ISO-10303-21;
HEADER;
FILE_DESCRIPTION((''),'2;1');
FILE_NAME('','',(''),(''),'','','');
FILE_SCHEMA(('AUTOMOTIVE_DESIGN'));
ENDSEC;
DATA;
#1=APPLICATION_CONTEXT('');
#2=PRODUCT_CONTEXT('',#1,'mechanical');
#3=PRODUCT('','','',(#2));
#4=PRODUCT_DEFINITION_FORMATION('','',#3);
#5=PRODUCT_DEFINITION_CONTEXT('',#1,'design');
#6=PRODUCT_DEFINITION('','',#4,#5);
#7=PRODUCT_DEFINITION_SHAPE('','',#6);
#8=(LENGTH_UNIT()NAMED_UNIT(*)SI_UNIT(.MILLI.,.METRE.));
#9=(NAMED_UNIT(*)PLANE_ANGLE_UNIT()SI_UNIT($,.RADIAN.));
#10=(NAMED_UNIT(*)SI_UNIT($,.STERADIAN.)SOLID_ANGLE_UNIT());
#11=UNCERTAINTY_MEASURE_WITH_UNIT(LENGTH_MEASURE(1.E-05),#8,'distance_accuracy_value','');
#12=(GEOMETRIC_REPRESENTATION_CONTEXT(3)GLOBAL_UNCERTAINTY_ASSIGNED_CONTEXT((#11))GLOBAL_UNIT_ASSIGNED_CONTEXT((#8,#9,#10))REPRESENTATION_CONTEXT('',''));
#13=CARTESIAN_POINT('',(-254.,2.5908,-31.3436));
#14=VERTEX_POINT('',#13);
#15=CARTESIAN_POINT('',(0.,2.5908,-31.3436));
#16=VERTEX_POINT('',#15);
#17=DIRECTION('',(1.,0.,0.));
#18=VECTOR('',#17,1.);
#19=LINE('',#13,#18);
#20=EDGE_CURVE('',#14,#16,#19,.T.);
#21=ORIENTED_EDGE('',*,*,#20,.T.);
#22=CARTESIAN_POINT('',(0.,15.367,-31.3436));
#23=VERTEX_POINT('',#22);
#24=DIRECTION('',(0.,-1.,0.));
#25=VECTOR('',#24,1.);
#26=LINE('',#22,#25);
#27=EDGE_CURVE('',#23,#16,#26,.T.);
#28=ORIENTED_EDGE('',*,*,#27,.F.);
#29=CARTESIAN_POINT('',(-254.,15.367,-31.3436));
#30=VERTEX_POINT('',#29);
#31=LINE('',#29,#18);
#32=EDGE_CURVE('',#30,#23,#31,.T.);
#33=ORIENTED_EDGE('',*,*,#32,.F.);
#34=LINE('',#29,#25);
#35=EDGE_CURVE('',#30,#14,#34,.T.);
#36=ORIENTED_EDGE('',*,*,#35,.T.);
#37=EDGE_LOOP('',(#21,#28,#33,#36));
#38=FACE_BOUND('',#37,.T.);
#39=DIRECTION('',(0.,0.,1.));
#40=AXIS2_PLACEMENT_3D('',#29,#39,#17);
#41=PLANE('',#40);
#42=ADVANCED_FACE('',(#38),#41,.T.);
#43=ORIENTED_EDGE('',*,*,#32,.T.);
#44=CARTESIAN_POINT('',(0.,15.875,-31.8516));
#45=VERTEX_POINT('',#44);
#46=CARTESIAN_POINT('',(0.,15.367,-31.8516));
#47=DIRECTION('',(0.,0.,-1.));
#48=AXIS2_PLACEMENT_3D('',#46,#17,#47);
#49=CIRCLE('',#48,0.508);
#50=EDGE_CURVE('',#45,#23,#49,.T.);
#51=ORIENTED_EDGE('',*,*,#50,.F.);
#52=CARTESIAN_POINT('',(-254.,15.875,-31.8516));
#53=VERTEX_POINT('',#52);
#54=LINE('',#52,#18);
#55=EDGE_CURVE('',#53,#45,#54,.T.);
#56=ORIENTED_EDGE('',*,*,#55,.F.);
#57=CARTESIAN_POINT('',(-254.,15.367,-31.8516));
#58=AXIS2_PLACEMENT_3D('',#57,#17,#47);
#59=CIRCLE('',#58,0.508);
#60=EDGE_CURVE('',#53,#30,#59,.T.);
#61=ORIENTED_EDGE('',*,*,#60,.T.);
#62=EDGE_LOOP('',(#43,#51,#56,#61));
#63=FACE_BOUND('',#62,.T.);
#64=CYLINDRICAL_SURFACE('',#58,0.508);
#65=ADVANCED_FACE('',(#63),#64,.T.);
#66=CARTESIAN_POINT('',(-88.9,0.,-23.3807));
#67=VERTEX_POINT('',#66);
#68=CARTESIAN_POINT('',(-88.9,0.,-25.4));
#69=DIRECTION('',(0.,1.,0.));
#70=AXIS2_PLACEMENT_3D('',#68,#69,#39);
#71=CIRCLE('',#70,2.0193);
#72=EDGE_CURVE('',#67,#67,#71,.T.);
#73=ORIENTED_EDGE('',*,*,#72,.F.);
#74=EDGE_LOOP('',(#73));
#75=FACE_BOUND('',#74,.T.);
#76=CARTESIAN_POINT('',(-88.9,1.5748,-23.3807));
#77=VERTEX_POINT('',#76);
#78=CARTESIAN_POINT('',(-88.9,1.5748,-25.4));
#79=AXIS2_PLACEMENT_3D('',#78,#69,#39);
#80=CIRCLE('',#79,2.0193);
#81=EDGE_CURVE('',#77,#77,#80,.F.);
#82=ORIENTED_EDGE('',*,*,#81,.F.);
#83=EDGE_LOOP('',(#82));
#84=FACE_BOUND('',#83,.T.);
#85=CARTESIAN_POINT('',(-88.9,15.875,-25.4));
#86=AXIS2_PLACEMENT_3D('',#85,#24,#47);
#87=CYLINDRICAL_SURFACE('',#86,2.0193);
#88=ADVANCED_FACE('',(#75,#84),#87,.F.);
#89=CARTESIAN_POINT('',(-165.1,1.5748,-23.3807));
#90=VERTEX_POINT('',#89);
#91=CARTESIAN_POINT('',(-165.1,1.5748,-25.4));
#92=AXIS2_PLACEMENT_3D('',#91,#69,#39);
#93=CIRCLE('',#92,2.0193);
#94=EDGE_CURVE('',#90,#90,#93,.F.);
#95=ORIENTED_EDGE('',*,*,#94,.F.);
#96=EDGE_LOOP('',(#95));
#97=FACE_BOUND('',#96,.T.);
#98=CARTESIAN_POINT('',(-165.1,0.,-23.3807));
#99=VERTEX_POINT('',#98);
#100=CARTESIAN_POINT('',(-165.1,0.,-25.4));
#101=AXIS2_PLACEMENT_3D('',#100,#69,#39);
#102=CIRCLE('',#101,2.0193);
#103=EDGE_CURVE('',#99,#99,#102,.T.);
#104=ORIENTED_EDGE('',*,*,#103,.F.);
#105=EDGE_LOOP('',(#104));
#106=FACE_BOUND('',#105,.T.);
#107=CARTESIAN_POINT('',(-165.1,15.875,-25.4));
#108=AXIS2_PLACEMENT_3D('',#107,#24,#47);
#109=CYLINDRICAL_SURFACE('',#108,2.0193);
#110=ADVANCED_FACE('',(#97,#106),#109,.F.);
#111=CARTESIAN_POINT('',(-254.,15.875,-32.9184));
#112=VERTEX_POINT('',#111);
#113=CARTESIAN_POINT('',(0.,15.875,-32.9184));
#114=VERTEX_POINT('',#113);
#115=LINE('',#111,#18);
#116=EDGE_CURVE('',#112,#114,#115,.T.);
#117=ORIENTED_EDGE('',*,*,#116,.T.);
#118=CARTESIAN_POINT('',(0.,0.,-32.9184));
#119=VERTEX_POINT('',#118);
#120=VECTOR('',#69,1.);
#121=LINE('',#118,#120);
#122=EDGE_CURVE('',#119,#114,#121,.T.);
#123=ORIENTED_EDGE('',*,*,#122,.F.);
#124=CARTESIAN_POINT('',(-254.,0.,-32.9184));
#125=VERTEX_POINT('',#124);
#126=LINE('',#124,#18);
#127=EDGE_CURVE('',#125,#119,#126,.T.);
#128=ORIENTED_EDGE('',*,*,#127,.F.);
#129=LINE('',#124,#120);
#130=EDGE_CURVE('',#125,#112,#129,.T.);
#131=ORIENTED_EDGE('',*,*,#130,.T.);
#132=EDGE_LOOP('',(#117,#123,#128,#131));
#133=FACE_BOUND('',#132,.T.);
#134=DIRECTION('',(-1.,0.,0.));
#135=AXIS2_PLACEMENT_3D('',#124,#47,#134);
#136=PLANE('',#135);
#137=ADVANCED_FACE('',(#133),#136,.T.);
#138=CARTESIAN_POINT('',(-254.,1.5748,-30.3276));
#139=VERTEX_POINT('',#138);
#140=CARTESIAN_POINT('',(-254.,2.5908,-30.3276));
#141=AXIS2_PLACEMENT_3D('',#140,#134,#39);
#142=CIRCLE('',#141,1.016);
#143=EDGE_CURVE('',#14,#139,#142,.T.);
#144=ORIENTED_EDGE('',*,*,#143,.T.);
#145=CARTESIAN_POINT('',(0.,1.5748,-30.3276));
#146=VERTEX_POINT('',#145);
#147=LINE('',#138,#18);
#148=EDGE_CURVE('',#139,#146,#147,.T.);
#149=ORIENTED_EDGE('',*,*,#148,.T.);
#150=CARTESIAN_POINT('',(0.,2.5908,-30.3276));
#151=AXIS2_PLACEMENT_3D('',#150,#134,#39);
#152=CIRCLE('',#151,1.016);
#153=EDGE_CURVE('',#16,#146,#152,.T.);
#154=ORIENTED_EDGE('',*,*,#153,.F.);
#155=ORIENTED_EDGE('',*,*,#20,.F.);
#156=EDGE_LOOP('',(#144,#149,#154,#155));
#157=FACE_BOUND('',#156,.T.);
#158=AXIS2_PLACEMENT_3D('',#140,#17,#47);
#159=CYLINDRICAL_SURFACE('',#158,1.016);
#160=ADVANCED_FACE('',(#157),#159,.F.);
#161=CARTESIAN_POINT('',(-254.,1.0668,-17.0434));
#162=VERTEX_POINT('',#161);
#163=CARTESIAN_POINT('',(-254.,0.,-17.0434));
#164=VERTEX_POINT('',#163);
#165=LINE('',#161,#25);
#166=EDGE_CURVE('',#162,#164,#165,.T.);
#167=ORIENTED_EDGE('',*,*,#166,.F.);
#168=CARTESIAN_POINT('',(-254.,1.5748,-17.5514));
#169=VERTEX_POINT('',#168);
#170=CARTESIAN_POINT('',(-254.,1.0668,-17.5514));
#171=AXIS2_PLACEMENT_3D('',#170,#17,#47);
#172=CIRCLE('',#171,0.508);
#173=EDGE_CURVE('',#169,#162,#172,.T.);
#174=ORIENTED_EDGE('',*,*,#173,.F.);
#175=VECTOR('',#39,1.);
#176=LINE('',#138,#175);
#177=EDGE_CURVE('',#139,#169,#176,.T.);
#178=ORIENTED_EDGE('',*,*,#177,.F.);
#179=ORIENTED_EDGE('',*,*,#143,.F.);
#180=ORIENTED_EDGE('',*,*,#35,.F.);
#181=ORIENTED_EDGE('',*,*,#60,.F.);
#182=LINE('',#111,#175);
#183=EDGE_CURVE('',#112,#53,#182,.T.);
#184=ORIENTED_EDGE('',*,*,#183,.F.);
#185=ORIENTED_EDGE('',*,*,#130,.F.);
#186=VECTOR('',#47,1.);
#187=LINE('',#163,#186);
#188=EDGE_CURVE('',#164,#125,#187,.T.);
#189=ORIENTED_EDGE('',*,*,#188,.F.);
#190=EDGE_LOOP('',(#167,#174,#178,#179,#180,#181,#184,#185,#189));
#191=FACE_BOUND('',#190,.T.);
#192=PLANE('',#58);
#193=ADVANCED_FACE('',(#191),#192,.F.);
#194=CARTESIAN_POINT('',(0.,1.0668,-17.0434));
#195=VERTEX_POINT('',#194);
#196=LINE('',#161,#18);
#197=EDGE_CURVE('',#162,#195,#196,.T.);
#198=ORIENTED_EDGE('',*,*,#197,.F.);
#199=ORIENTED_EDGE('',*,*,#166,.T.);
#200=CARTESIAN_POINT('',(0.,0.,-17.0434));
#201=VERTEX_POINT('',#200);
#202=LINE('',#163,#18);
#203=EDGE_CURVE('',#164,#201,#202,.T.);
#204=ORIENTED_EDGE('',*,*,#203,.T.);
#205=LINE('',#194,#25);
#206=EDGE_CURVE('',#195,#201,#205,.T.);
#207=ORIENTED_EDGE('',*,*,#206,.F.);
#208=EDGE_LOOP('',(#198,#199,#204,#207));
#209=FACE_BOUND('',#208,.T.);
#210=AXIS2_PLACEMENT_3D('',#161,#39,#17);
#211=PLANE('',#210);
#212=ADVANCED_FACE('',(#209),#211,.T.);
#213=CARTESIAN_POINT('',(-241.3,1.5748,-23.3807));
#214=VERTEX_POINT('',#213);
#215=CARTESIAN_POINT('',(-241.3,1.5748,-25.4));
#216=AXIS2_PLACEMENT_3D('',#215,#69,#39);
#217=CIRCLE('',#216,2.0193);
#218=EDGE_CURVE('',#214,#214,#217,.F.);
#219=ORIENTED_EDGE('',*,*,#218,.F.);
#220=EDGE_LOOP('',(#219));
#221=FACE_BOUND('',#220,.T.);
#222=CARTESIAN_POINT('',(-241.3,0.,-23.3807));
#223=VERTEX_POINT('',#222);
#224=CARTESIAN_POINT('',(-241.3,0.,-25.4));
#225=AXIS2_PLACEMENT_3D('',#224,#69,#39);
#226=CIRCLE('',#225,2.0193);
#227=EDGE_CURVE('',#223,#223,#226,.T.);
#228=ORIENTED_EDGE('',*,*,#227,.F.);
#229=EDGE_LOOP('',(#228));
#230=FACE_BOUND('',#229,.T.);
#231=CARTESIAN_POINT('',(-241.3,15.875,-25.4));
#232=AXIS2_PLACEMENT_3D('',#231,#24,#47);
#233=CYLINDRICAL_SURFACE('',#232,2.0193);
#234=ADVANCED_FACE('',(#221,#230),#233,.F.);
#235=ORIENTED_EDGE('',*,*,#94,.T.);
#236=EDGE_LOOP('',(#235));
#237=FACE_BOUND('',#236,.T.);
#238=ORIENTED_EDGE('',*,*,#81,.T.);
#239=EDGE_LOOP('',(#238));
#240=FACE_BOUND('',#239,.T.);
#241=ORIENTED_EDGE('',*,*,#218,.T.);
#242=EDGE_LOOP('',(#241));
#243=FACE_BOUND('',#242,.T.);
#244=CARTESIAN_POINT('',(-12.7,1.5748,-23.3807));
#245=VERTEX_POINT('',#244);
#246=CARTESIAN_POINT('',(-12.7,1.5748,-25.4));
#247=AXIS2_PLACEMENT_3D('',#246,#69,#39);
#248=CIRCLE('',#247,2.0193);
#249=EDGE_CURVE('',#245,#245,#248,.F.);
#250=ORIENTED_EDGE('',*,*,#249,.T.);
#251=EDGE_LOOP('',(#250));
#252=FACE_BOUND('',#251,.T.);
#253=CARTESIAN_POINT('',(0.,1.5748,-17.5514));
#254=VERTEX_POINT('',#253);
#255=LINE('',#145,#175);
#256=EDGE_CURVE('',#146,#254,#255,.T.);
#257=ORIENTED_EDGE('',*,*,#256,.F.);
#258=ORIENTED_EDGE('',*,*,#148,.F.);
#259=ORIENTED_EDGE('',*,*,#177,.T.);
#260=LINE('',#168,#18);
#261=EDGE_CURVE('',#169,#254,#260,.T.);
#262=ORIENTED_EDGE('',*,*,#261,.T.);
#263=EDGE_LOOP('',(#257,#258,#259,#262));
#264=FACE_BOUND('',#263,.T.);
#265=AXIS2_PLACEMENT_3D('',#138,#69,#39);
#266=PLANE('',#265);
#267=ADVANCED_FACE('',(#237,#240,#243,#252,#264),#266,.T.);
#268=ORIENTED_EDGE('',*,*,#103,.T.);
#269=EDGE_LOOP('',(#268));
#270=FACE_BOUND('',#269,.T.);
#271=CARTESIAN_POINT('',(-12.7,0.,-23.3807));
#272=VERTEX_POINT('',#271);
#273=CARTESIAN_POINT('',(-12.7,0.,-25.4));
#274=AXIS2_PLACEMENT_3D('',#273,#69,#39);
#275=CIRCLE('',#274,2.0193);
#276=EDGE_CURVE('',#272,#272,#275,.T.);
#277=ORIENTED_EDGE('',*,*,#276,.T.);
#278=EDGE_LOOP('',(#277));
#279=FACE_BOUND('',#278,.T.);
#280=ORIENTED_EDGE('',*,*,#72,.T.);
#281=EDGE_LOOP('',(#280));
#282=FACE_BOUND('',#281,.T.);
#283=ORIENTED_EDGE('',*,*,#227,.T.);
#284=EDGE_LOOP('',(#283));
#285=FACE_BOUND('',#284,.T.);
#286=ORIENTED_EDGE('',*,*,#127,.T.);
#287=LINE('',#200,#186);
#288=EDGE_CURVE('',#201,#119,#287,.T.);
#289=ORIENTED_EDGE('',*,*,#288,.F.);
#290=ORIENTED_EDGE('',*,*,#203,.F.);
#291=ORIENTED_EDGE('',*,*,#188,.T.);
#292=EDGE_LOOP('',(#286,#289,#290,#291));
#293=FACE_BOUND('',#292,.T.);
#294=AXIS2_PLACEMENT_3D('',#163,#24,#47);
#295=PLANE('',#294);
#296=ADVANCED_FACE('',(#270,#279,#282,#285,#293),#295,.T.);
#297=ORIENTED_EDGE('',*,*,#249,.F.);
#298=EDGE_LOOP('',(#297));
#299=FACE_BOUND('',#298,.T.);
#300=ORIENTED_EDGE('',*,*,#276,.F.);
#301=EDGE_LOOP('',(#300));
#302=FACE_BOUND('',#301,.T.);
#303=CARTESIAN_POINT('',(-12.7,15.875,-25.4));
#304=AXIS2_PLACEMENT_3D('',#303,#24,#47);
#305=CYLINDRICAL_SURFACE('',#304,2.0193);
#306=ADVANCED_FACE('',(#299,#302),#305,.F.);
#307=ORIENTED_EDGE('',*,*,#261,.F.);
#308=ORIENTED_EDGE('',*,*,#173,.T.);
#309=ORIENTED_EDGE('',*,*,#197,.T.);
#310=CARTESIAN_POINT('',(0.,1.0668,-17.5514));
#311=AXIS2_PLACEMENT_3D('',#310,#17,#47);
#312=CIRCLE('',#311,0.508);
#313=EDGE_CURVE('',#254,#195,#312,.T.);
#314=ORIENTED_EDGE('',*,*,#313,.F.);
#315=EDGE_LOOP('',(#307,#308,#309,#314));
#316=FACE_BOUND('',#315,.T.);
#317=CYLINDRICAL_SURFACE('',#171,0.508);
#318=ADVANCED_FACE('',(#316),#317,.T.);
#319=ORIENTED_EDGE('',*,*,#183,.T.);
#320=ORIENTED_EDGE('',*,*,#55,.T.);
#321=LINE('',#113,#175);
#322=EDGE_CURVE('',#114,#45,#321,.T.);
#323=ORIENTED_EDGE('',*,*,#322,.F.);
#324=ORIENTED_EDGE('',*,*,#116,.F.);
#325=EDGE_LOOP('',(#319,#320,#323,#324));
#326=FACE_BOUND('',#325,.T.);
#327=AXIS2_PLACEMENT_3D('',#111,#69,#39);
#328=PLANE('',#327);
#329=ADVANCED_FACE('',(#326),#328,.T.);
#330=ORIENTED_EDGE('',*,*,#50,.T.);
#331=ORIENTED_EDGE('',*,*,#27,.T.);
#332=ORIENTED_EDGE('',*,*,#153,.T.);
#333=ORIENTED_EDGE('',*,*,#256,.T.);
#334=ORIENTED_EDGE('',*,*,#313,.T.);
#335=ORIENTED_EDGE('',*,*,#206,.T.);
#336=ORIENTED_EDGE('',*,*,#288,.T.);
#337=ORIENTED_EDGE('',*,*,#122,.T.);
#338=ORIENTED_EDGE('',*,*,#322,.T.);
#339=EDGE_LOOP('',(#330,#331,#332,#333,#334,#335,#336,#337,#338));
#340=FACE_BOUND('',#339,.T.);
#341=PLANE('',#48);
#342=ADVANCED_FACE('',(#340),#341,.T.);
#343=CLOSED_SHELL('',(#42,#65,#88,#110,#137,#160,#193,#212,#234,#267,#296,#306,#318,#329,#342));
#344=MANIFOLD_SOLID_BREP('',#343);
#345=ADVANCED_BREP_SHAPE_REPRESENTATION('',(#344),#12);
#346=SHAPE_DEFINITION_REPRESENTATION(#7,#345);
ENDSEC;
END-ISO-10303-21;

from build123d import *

# Parameters (mm, degrees)
BOSS_EXTRUDE1_DEPTH = 254
SKETCH3_R           = 2.0193
CUT_EXTRUDE1_DEPTH  = 257.615737404


with BuildPart() as part:
    # Sketch6 → Boss-Extrude1 (new body)
    with BuildSketch(Plane(origin=(0, 0, 0), x_dir=(0, 0, -1), z_dir=(1, 0, 0))):
        with BuildLine():
            Line((17.0434, 0), (32.9184, 0))
            Line((32.9184, 0), (32.9184, 15.875))
            Line((32.9184, 15.875), (31.8516, 15.875))
            ThreePointArc((31.8516, 15.875), (31.492389755, 15.726210245), (31.3436, 15.367))
            Line((31.3436, 15.367), (31.3436, 2.5908))
            ThreePointArc((31.3436, 2.5908), (31.04602049, 1.87237951), (30.3276, 1.5748))
            Line((30.3276, 1.5748), (17.5514, 1.5748))
            ThreePointArc((17.5514, 1.5748), (17.192189755, 1.426010245), (17.0434, 1.0668))
            Line((17.0434, 1.0668), (17.0434, 0))
        make_face()
    extrude(amount=-BOSS_EXTRUDE1_DEPTH)

    # Sketch3 → Cut-Extrude1 (cut, through all)
    with BuildSketch(Plane(origin=(0, 0, 0), x_dir=(1, 0, 0), z_dir=(0, 1, 0))):
        with Locations(Location((-12.7, 25.4, 0), (0, 0, 270))):
            Circle(SKETCH3_R)
        with Locations(Location((-88.9, 25.4, 0), (0, 0, 270))):
            Circle(SKETCH3_R)
        with Locations(Location((-165.1, 25.4, 0), (0, 0, 270))):
            Circle(SKETCH3_R)
        with Locations(Location((-241.3, 25.4, 0), (0, 0, 270))):
            Circle(SKETCH3_R)
    extrude(amount=CUT_EXTRUDE1_DEPTH, mode=Mode.SUBTRACT)


solid = part.part
